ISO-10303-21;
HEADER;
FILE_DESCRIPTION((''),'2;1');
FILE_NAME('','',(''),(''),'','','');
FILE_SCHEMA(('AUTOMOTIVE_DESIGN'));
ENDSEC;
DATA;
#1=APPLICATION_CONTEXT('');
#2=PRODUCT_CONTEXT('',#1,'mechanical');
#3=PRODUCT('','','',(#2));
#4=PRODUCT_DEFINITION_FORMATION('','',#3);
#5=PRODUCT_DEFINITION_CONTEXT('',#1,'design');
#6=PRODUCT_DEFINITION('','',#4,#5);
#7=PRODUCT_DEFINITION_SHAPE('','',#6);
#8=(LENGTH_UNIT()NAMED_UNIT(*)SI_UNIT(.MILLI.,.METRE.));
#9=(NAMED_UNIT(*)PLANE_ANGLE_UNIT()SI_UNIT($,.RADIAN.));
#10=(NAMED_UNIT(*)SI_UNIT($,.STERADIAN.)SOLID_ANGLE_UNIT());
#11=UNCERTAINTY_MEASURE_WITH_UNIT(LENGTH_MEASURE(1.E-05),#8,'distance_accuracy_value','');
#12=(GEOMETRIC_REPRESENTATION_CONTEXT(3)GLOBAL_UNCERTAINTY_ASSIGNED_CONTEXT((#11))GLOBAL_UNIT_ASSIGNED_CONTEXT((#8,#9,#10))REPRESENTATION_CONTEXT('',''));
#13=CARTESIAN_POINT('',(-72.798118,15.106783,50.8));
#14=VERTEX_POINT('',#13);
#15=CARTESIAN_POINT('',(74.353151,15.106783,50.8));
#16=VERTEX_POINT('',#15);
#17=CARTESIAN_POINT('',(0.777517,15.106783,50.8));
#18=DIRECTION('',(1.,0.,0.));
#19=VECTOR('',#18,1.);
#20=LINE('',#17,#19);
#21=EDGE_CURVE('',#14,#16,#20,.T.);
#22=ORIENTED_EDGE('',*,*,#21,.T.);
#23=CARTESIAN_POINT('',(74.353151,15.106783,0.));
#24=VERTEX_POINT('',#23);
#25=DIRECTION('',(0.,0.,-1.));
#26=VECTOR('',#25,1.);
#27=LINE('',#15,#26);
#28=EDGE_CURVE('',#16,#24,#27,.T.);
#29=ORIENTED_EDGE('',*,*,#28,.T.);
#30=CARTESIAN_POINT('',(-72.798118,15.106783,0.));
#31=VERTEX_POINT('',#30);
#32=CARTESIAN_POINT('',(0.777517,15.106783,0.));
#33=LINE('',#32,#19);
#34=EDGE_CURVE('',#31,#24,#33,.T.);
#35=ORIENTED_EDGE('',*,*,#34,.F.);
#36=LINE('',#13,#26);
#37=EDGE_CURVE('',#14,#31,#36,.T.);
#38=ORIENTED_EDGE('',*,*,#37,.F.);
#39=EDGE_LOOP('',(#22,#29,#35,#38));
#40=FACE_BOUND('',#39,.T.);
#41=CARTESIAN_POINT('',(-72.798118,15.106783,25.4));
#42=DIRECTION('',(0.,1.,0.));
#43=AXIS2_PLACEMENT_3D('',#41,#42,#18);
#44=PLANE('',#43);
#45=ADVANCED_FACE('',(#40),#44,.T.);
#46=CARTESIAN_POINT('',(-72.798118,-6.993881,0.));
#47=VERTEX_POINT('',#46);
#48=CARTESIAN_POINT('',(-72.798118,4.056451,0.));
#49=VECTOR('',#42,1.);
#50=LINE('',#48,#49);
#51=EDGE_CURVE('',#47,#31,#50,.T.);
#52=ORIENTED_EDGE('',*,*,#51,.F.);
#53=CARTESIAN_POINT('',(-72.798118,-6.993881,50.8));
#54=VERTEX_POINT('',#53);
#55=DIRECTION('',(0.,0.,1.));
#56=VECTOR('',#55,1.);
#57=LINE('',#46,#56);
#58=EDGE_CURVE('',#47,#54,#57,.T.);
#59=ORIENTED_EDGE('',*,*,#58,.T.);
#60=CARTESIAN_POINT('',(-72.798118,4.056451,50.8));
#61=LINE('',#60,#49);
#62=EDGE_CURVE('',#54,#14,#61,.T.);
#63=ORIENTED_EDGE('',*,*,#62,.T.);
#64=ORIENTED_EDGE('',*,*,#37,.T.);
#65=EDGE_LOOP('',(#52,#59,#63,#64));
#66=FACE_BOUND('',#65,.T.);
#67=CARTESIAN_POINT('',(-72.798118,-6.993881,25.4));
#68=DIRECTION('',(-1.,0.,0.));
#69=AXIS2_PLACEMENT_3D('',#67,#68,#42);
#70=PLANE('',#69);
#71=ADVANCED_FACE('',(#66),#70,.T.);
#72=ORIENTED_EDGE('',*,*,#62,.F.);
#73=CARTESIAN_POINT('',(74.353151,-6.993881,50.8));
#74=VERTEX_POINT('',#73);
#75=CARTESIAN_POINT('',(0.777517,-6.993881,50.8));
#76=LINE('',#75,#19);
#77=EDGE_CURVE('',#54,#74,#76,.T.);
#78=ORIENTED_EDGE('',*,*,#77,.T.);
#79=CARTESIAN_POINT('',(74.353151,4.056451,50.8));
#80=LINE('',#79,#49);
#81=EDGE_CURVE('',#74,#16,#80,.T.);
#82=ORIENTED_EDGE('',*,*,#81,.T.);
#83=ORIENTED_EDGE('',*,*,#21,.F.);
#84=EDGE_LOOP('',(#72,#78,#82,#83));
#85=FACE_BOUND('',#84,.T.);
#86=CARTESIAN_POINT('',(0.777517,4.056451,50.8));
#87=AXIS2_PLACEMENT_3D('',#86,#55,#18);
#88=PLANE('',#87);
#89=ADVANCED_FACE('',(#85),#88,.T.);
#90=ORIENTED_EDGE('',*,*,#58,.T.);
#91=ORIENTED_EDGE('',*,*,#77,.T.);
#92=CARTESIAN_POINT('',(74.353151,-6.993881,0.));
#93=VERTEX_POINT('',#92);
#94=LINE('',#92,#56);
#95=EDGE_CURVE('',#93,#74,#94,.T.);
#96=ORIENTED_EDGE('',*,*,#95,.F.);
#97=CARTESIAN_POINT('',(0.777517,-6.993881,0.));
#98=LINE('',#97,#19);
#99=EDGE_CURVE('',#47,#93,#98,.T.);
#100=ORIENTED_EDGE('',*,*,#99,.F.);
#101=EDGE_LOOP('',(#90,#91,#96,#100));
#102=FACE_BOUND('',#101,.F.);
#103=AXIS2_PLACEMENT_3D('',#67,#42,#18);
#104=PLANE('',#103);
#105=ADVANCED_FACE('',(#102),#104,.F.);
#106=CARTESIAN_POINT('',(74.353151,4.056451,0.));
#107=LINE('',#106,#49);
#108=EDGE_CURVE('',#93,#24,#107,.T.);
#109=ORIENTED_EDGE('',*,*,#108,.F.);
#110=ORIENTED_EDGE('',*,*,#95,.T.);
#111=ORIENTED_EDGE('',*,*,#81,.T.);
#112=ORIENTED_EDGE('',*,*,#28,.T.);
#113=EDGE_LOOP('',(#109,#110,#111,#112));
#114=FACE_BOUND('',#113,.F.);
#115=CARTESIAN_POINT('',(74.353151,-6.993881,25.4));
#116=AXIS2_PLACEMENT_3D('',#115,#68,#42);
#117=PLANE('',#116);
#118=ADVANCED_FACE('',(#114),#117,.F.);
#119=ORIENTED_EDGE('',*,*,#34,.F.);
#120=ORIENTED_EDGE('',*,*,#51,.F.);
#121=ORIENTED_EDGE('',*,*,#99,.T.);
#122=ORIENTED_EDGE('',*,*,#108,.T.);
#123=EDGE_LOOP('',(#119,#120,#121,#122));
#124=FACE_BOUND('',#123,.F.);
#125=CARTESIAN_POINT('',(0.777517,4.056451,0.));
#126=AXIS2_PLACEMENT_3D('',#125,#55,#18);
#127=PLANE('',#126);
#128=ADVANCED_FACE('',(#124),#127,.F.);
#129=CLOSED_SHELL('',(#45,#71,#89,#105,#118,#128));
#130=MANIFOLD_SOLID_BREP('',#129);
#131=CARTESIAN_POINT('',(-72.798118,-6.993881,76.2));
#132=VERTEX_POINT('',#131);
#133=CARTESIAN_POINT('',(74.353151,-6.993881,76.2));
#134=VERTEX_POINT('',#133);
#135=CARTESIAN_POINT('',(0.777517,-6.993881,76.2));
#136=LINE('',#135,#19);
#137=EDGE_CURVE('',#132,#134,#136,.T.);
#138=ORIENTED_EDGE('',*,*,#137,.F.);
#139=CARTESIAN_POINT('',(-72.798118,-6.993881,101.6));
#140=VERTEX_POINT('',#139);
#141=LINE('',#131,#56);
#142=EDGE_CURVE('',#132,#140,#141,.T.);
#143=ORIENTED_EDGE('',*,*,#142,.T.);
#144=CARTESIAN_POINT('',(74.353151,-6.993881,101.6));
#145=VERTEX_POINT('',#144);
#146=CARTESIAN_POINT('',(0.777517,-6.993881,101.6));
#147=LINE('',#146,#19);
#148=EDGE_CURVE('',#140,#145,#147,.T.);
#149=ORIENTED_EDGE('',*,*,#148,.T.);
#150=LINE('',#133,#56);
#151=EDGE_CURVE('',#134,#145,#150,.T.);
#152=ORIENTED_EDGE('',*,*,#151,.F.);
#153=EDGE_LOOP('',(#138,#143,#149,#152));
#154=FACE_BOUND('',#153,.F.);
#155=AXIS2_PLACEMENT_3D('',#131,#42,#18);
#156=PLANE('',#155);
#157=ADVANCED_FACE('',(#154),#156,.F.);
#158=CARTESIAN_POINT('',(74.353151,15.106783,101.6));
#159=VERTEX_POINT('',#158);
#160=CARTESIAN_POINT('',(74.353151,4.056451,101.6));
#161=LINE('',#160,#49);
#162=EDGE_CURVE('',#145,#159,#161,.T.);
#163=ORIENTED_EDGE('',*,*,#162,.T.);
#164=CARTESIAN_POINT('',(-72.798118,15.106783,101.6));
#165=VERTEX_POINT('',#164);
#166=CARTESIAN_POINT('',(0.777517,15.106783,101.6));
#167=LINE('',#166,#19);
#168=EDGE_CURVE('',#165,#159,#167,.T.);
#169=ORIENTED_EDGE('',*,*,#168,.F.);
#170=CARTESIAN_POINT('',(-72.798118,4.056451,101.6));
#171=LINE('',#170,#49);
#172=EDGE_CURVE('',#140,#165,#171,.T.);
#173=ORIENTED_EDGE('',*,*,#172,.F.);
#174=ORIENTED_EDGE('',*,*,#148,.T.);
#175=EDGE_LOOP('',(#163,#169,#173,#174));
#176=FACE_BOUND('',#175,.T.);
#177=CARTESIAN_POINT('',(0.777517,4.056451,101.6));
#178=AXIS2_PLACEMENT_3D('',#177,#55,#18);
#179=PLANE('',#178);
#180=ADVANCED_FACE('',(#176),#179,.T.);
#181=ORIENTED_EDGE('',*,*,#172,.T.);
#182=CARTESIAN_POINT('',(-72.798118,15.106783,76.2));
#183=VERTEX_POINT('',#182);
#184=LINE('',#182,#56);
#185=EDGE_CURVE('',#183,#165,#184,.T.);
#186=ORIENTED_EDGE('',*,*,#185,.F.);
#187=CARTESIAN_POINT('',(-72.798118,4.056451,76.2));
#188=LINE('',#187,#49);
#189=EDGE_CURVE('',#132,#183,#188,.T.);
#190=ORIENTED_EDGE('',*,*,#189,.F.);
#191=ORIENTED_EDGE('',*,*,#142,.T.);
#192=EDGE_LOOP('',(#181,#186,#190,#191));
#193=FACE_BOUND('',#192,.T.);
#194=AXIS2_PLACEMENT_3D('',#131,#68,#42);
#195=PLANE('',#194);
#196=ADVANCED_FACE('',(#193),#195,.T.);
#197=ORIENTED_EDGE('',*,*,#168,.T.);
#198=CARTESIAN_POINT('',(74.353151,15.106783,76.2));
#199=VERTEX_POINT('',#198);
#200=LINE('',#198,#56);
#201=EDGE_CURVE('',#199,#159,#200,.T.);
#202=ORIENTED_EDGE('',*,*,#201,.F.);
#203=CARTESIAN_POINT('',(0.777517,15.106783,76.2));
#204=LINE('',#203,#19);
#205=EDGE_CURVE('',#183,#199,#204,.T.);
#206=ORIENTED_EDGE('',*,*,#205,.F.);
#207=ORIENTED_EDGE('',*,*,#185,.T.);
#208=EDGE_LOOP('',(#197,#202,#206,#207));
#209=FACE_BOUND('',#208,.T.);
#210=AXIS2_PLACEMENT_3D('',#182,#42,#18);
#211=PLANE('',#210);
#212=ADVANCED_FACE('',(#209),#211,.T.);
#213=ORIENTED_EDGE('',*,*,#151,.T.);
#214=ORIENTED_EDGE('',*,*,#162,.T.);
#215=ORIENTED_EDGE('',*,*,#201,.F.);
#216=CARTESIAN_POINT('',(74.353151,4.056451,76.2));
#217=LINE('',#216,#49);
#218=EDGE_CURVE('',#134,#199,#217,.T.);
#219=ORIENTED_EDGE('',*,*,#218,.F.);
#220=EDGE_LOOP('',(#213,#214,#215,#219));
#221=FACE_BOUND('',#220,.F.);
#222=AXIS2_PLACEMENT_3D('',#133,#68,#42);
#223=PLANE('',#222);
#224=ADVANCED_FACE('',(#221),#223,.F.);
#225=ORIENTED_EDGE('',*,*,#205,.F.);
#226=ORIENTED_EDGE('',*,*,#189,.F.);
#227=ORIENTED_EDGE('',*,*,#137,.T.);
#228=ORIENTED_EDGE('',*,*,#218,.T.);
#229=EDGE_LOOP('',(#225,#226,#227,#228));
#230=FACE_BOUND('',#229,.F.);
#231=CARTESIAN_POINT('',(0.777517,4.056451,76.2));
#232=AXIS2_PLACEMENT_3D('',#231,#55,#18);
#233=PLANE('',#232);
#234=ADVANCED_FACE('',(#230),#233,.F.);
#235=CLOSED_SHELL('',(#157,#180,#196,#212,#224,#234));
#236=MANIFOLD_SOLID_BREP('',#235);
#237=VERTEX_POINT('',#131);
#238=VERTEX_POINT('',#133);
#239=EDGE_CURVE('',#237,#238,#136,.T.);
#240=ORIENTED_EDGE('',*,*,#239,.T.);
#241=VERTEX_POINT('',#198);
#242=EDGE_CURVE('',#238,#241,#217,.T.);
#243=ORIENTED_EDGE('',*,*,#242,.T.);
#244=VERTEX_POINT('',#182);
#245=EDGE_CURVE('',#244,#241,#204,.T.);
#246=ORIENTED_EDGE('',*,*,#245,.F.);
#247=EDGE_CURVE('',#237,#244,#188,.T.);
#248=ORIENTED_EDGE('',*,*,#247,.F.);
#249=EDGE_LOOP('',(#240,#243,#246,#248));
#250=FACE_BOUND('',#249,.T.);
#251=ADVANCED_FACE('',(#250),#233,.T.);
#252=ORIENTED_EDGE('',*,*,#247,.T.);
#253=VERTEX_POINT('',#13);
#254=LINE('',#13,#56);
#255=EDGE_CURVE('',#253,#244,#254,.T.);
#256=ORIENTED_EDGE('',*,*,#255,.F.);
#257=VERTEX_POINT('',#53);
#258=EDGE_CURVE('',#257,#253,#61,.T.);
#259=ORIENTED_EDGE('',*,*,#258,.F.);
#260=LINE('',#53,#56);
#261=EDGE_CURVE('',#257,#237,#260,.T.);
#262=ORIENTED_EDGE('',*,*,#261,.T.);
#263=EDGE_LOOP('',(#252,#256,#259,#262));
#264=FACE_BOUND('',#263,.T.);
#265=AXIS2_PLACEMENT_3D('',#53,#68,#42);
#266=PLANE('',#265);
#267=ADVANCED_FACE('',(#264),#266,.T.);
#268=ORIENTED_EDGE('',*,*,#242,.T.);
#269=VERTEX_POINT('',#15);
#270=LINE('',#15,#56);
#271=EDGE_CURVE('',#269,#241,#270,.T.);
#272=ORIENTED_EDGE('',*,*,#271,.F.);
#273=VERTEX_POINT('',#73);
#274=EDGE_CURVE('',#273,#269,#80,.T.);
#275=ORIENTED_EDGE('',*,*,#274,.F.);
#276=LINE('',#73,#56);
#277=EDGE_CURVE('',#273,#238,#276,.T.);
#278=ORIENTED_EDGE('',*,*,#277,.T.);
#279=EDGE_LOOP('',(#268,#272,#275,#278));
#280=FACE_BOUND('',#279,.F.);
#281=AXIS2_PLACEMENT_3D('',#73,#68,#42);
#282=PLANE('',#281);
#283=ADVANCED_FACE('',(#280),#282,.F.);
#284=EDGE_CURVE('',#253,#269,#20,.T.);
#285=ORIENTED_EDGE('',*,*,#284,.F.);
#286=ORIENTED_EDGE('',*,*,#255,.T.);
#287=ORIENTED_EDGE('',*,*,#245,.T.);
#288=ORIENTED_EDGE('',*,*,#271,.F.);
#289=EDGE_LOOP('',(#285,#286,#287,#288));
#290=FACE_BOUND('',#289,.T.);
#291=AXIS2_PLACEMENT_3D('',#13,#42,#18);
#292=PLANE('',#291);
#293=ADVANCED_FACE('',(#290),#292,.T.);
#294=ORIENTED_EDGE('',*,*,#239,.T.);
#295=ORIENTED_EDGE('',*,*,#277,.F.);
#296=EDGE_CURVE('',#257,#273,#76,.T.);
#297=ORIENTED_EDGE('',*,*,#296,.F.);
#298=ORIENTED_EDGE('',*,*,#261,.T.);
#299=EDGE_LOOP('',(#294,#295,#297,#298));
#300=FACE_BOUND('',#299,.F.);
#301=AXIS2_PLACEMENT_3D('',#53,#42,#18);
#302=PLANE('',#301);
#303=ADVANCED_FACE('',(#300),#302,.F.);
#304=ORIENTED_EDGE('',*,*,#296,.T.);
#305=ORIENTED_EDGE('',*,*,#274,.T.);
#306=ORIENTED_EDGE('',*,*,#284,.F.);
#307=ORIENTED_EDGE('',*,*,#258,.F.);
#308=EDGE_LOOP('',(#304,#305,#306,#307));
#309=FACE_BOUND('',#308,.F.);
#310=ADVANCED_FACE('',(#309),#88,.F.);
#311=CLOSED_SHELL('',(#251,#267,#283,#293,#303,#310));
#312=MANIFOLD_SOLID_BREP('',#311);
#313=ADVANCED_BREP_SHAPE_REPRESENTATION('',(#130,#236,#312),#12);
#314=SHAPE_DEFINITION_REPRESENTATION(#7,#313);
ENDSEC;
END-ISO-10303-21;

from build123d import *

# Parameters (mm, degrees)
F0_W     = 147.1512690187
F0_H     = 22.1006646752
F1_DEPTH = 25.4
F2_DEPTH = 25.4
F3_DEPTH = 25.4
F4_DEPTH = 25.4


with BuildPart() as f1:
    # F0 (on Top) → F1 (new body)
    with BuildSketch(Plane.XY):
        with Locations((0.7775165141, 4.0564509109)):
            Rectangle(F0_W, F0_H)
    extrude(amount=F1_DEPTH)

    # F2 (add): a face of the model
    f2_faces = [f1.faces().sort_by_distance(p)[0] for p in [
        (0.7775165141, 4.0564509109, 25.4),
    ]]
    extrude(f2_faces, amount=F2_DEPTH)


with BuildPart() as f3:
    # F3 (new): a face of the model
    f3_faces = [f1.part.faces().sort_by_distance(p)[0] for p in [
        (0.7775165141, 4.0564509109, 50.8),
    ]]
    extrude(f3_faces, amount=F3_DEPTH)


with BuildPart() as f4:
    # F4 (new): a face of the model
    f4_faces = [f3.part.faces().sort_by_distance(p)[0] for p in [
        (0.7775165141, 4.0564509109, 76.2),
    ]]
    extrude(f4_faces, amount=F4_DEPTH)


solid = Compound([f1.part, f3.part, f4.part])
